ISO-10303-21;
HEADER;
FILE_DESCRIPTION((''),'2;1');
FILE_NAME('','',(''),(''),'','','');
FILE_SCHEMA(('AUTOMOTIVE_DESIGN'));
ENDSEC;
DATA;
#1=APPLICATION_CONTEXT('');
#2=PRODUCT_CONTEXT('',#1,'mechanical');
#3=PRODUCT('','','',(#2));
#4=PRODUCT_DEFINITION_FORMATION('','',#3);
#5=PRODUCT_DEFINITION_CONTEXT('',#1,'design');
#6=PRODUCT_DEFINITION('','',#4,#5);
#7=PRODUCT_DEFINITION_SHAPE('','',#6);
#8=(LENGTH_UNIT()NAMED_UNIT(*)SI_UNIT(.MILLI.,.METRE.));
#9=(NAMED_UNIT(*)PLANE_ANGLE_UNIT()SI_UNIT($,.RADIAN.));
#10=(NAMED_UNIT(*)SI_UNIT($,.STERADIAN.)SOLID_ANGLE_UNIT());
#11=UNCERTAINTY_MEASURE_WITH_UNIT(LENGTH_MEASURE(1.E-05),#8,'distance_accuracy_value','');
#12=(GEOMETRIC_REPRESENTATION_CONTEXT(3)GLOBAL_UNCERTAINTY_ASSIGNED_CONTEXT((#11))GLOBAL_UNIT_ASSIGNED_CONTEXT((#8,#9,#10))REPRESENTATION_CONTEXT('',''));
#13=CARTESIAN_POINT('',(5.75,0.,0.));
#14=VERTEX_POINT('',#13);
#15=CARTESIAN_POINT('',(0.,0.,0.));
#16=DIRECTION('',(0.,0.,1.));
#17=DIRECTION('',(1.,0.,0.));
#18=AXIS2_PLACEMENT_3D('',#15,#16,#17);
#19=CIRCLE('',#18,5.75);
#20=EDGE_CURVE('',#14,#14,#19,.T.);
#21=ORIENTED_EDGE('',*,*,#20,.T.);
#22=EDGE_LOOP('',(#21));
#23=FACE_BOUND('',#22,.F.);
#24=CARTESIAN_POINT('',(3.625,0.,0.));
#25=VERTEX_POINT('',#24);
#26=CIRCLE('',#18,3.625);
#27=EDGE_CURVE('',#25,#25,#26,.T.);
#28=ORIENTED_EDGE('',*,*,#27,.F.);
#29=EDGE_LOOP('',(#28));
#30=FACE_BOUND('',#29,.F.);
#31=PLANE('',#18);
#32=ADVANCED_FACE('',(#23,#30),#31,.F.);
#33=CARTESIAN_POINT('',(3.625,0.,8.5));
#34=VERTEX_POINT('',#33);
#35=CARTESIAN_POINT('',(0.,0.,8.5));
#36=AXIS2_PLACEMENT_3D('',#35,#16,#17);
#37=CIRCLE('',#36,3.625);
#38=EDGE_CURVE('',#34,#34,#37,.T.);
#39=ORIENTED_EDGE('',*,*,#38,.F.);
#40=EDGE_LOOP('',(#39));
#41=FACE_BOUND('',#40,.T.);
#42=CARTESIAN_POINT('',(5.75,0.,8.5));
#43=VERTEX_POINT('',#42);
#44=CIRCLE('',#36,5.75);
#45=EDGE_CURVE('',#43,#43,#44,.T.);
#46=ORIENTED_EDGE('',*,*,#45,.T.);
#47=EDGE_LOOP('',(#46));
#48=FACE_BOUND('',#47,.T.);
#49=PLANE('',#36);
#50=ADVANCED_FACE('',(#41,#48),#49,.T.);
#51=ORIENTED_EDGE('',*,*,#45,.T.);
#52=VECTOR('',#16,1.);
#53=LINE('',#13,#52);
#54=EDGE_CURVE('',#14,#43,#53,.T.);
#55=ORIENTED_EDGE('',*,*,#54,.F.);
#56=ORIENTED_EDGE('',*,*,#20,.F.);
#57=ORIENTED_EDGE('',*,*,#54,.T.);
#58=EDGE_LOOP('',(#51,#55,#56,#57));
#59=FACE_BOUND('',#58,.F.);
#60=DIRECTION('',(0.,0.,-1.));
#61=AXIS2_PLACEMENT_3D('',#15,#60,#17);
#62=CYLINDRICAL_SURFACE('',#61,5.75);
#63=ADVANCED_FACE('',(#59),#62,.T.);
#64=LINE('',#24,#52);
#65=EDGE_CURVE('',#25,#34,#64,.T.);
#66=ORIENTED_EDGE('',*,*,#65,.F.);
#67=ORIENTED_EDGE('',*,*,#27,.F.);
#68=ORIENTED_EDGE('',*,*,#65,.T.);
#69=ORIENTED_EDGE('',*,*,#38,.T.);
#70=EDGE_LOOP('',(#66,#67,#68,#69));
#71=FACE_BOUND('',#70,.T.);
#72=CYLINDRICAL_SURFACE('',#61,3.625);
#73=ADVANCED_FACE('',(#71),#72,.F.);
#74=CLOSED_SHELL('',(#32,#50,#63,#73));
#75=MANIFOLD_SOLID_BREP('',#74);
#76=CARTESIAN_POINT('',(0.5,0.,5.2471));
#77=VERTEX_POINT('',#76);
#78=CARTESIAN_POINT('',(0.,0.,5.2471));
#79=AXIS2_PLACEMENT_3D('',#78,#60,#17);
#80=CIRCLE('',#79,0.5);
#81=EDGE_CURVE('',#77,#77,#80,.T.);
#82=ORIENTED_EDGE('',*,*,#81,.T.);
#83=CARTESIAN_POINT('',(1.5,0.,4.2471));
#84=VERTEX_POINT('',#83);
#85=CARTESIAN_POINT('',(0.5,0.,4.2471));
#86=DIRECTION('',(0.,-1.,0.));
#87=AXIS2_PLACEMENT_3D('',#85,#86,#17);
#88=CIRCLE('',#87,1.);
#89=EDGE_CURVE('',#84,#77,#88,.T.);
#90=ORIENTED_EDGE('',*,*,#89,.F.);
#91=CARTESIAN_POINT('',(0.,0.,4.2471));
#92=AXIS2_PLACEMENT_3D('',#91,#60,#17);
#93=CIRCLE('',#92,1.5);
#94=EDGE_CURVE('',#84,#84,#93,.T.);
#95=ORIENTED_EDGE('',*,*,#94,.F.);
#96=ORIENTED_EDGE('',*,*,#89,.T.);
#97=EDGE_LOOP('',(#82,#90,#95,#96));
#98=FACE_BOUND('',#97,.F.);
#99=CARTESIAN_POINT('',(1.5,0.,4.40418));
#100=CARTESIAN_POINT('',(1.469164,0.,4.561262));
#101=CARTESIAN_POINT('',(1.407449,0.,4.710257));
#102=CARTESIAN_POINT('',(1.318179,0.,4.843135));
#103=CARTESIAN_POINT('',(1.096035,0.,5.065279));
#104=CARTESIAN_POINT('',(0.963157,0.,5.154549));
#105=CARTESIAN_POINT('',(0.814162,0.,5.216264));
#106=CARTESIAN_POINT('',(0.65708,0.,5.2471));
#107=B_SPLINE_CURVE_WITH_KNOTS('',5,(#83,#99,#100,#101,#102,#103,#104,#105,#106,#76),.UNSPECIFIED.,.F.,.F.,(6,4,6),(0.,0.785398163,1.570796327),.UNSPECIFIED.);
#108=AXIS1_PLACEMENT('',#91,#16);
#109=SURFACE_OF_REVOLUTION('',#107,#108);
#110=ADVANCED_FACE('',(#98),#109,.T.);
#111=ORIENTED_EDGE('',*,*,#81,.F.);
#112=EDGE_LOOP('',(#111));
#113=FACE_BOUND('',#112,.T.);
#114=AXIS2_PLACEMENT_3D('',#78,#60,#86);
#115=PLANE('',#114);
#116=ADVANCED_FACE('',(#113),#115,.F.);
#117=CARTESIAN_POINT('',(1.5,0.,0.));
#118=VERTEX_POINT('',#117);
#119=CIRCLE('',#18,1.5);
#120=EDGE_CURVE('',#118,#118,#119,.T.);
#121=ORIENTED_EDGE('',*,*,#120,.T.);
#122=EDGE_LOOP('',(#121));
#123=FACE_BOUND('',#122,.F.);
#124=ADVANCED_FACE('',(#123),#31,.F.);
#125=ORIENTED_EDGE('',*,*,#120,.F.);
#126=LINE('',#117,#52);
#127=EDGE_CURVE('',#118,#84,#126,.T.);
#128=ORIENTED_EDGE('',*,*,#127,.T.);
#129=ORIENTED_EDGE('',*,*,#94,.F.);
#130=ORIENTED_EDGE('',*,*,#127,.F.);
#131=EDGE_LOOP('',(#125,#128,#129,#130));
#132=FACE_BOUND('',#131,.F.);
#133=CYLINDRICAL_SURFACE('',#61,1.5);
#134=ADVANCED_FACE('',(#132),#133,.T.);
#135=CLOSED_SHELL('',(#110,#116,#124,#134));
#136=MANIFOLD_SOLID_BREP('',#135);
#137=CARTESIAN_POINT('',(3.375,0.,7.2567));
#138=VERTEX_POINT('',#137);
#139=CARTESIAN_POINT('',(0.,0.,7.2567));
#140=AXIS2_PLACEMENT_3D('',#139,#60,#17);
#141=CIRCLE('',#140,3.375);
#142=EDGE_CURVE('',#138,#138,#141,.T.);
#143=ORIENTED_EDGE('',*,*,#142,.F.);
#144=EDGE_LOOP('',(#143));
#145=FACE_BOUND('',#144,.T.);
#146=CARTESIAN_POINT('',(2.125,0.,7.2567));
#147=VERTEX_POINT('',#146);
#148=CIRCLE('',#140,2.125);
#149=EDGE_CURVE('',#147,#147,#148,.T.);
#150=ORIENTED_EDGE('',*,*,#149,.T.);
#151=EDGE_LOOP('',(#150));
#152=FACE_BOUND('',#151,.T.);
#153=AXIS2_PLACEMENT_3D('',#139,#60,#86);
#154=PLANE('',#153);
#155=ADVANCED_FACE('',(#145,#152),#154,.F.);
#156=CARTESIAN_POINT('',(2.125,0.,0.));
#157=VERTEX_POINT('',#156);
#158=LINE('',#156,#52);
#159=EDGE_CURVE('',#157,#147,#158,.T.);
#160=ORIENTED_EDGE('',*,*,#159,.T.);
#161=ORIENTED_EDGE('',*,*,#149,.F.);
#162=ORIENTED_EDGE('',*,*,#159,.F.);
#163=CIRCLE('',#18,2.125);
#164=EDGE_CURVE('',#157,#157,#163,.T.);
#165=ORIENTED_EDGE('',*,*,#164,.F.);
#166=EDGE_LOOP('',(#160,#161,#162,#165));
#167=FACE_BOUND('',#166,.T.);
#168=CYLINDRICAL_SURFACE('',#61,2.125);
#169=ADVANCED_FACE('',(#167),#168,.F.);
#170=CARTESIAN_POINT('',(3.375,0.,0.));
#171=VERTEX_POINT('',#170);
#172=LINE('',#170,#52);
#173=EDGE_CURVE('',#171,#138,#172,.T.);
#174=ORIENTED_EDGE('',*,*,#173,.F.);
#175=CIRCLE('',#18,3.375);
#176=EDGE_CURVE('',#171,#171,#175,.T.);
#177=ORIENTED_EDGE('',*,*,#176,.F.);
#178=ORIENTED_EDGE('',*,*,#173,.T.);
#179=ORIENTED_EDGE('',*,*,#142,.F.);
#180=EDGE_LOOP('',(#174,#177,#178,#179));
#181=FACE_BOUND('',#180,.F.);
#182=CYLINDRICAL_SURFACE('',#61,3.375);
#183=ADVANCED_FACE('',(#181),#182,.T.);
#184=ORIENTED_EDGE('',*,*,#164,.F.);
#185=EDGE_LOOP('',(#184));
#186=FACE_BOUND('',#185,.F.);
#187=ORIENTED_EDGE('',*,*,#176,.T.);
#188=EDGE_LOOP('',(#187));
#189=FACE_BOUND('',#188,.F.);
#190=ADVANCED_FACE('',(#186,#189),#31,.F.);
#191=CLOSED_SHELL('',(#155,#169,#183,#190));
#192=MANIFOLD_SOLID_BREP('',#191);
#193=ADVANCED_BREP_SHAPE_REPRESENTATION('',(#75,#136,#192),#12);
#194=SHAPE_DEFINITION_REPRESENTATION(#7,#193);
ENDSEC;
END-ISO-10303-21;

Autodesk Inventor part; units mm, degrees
ref_plane "YZ Plane" through (0, 0, 0) normal (1, 0, 0) x (0, 1, 0)
ref_plane "XZ Plane" through (0, 0, 0) normal (0, 1, 0) x (-1, 0, 0)
ref_plane "XY Plane" through (0, 0, 0) normal (0, 0, 1) x (1, 0, 0)
sketch "Sketch1" plane through (0, 0, 0) normal (0, 0, 1) x (1, 0, 0)
  circle A0 centre (0, 0) radius 1.5
  circle A1 centre (0, 0) radius 2.125
  circle A2 centre (0, 0) radius 3.375
  circle A3 centre (0, 0) radius 3.625
  circle A4 centre (0, 0) radius 5.75
  dimension "d0" = 3
  dimension "d1" = 4.25
  dimension "d2" = 6.75
  dimension "d3" = 7.25
  dimension "d4" = 11.5
extrude "Extrusion1" add sketch "Sketch1" along normal blind 8.5
sketch "Sketch2" plane through (0, 0, 0) normal (1, 0, 0) x (0, 1, 0)
  line L0 (-1.5, 8.5) -> (1.5, 8.5) construction
  line L1 (-3.4583, 7.2567) -> (-1.856, 7.2567) construction
  line L2 (-1.856, 7.2567) -> (-1.856, 5.2471) construction
  line L3 (-1.856, 5.2471) -> (0, 5.2471) construction
  line L4 (-3.4583, 7.2567) -> (-3.4583, 8.9404)
  line L5 (-3.4583, 8.9404) -> (0, 8.9404)
  line L6 (0, 8.9404) -> (0, 5.2471)
  line L7 (0, 5.2471) -> (-1.856, 5.2471)
  line L8 (-1.856, 5.2471) -> (-1.856, 7.2567)
  line L9 (-1.856, 7.2567) -> (-3.4583, 7.2567)
  point P0 (0, 0)
revolve "Revolution1" cut sketch "Sketch2" angle 360 about axis through (0, 0, 8.9404) along (0, 0, -1)
fillet "Fillet1" radius 1 1 edges at (-1.5, 0, 5.2471)
properties part number "staklence"
